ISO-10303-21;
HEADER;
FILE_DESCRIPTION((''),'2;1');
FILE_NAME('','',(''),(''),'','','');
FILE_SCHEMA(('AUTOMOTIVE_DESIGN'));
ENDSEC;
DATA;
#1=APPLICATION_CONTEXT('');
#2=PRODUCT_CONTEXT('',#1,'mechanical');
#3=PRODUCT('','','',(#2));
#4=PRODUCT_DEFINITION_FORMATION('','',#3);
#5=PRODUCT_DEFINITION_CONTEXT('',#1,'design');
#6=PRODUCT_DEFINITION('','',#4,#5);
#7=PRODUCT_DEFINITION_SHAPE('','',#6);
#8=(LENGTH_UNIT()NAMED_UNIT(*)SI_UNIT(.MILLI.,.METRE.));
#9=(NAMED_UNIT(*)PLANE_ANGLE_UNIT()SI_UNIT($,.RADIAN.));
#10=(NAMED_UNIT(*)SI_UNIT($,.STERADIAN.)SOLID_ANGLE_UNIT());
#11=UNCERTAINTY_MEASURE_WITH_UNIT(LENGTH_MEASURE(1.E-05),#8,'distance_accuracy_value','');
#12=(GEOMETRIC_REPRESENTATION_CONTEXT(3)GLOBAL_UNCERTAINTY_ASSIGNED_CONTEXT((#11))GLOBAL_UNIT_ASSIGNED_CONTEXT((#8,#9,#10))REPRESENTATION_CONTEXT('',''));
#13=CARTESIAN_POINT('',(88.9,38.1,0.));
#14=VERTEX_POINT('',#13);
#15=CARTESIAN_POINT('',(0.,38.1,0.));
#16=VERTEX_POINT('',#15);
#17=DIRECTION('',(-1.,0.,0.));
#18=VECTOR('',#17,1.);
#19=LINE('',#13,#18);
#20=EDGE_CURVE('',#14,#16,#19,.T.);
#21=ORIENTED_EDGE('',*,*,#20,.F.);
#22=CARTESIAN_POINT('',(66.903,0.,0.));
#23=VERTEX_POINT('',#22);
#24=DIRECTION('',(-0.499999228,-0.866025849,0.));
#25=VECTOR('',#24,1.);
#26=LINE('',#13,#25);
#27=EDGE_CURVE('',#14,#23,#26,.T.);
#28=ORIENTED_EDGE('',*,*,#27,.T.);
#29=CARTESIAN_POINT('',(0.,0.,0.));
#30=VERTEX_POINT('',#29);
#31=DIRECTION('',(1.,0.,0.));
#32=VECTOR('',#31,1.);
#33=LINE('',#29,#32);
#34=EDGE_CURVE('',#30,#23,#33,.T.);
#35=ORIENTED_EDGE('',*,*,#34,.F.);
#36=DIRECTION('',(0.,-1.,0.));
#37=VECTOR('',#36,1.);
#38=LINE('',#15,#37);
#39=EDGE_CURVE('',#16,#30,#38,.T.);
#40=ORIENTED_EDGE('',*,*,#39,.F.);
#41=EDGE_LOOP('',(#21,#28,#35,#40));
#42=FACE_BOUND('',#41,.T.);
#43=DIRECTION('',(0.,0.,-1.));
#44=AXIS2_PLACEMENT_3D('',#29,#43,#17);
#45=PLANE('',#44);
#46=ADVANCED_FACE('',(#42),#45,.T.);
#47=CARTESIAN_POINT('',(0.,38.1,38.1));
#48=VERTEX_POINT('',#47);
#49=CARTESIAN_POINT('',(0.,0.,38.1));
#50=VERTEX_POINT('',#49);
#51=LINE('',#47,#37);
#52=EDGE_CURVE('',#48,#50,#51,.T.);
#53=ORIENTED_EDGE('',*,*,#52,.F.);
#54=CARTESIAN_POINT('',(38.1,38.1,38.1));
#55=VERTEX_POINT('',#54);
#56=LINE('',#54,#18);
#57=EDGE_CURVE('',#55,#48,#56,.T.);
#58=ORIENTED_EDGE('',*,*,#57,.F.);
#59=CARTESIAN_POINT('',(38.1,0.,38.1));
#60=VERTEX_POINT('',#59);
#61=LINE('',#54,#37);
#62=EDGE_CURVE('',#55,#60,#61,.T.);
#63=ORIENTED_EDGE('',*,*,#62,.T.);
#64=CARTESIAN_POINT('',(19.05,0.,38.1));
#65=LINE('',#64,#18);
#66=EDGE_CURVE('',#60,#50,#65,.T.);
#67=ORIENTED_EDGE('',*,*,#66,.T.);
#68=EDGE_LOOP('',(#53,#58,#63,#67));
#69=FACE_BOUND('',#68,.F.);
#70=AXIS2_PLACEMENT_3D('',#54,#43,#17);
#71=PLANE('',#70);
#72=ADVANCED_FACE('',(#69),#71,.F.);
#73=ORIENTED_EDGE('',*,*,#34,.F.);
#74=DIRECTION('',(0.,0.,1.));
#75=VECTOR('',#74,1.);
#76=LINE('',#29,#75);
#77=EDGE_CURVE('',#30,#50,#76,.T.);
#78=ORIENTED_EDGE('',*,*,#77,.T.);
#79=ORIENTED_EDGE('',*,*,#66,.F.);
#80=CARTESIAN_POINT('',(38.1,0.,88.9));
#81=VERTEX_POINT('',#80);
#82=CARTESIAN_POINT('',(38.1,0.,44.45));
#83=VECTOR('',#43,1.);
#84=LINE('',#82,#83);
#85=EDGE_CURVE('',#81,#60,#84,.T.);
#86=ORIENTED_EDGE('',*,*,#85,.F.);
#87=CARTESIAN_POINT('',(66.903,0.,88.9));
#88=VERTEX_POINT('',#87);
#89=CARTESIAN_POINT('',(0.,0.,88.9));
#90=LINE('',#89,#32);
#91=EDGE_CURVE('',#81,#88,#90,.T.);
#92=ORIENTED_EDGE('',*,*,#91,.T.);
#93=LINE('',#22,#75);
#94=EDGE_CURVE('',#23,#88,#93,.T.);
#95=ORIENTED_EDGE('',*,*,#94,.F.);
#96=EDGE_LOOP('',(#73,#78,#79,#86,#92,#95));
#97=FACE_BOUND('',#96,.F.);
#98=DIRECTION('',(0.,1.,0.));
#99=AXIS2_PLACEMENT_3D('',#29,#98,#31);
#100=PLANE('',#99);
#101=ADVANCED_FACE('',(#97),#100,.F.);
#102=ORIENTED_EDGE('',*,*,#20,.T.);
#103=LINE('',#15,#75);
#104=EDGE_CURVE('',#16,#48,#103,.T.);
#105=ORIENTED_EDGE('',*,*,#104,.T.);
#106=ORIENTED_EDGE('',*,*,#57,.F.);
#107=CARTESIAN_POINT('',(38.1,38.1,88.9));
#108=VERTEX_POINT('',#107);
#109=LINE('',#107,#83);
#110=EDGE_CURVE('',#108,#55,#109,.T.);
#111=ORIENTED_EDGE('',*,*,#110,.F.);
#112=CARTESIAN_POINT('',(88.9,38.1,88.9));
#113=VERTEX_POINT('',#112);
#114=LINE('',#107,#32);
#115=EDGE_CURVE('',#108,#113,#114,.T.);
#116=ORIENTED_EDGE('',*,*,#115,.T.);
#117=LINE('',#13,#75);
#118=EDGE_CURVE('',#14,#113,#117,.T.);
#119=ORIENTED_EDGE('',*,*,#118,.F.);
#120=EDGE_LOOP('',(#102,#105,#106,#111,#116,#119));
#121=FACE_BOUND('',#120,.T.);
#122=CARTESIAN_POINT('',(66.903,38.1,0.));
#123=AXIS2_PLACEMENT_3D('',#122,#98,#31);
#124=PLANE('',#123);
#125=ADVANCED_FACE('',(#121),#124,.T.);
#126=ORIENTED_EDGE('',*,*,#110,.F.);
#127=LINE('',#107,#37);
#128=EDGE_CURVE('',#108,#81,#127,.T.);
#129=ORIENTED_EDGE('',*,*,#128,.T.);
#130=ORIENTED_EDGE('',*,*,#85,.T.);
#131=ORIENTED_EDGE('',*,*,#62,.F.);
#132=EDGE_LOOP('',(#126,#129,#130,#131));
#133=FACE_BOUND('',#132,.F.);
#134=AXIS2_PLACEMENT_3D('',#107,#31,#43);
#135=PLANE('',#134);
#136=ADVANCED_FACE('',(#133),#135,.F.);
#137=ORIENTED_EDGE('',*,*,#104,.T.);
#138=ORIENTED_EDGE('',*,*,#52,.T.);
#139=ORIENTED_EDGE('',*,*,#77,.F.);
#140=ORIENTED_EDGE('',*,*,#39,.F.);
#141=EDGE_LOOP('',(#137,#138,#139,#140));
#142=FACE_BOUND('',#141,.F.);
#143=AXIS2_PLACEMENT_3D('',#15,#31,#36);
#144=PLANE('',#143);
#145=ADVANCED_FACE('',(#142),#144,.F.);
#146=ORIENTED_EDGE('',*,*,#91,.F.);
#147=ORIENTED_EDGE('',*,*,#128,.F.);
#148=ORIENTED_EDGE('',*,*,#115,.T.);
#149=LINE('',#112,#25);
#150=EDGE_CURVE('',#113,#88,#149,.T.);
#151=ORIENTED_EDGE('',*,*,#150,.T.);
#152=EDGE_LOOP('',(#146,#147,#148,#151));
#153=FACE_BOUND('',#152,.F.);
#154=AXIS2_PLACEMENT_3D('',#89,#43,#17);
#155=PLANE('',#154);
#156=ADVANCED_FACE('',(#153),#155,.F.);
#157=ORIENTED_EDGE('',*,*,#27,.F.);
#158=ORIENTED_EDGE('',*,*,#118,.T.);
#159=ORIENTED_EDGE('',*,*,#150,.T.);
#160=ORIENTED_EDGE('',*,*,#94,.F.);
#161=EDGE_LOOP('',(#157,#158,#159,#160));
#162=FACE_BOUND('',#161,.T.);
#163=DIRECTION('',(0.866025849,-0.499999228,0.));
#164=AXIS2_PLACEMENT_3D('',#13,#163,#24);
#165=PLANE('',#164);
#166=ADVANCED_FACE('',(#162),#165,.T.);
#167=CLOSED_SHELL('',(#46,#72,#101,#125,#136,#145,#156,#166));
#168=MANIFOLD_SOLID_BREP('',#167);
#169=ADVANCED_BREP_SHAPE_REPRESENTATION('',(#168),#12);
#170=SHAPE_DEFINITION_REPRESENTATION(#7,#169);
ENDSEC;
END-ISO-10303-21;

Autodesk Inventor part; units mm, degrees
ref_plane "YZ Plane" through (0, 0, 0) normal (1, 0, 0) x (0, 1, 0)
ref_plane "XZ Plane" through (0, 0, 0) normal (0, 1, 0) x (-1, 0, 0)
ref_plane "XY Plane" through (0, 0, 0) normal (0, 0, 1) x (1, 0, 0)
sketch "Sketch1" plane through (0, 0, 0) normal (0, 0, 1) x (1, 0, 0)
  line L0 (0, 0) -> (66.903, 0)
  line L1 (66.903, 0) -> (66.903, 38.1)
  line L2 (66.903, 38.1) -> (0, 38.1)
  line L3 (0, 38.1) -> (0, 0)
  dimension "d0" = 66.903
  dimension "d1" = 38.1
extrude "Extrusion1" add sketch "Sketch1" along normal blind 88.9
sketch "Sketch2" plane through (0, 38.1, 0) normal (0, 1, 0) x (1, 0, 0)
  line L0 (0, -88.9) -> (66.903, -88.9) projected
  line L1 (0, -88.9) -> (38.1, -88.9)
  line L2 (38.1, -88.9) -> (38.1, -38.1)
  line L3 (38.1, -38.1) -> (0, -38.1)
  line L4 (0, -38.1) -> (0, -88.9)
  point P0 (0, 0)
  dimension "d4" = 38.1
  dimension "d5" = 50.8
extrude "Extrusion2" cut sketch "Sketch2" against normal through all
sketch "Sketch3" plane through (0, 0, 0) normal (0, 0, -1) x (-1, 0, 0)
  line L0 (-66.903, 38.1) -> (0, 38.1) projected
  line L1 (-66.903, 38.1) -> (-88.9, 38.1)
  line L2 (-88.9, 38.1) -> (-66.903, 0)
  line L3 (-66.903, 0) -> (-66.903, 38.1)
  point P0 (0, 0)
  dimension "d11" = 60
extrude "Extrusion3" add sketch "Sketch3" against normal blind 88.9
properties part number "BO04" material "Wood (Oak)"
